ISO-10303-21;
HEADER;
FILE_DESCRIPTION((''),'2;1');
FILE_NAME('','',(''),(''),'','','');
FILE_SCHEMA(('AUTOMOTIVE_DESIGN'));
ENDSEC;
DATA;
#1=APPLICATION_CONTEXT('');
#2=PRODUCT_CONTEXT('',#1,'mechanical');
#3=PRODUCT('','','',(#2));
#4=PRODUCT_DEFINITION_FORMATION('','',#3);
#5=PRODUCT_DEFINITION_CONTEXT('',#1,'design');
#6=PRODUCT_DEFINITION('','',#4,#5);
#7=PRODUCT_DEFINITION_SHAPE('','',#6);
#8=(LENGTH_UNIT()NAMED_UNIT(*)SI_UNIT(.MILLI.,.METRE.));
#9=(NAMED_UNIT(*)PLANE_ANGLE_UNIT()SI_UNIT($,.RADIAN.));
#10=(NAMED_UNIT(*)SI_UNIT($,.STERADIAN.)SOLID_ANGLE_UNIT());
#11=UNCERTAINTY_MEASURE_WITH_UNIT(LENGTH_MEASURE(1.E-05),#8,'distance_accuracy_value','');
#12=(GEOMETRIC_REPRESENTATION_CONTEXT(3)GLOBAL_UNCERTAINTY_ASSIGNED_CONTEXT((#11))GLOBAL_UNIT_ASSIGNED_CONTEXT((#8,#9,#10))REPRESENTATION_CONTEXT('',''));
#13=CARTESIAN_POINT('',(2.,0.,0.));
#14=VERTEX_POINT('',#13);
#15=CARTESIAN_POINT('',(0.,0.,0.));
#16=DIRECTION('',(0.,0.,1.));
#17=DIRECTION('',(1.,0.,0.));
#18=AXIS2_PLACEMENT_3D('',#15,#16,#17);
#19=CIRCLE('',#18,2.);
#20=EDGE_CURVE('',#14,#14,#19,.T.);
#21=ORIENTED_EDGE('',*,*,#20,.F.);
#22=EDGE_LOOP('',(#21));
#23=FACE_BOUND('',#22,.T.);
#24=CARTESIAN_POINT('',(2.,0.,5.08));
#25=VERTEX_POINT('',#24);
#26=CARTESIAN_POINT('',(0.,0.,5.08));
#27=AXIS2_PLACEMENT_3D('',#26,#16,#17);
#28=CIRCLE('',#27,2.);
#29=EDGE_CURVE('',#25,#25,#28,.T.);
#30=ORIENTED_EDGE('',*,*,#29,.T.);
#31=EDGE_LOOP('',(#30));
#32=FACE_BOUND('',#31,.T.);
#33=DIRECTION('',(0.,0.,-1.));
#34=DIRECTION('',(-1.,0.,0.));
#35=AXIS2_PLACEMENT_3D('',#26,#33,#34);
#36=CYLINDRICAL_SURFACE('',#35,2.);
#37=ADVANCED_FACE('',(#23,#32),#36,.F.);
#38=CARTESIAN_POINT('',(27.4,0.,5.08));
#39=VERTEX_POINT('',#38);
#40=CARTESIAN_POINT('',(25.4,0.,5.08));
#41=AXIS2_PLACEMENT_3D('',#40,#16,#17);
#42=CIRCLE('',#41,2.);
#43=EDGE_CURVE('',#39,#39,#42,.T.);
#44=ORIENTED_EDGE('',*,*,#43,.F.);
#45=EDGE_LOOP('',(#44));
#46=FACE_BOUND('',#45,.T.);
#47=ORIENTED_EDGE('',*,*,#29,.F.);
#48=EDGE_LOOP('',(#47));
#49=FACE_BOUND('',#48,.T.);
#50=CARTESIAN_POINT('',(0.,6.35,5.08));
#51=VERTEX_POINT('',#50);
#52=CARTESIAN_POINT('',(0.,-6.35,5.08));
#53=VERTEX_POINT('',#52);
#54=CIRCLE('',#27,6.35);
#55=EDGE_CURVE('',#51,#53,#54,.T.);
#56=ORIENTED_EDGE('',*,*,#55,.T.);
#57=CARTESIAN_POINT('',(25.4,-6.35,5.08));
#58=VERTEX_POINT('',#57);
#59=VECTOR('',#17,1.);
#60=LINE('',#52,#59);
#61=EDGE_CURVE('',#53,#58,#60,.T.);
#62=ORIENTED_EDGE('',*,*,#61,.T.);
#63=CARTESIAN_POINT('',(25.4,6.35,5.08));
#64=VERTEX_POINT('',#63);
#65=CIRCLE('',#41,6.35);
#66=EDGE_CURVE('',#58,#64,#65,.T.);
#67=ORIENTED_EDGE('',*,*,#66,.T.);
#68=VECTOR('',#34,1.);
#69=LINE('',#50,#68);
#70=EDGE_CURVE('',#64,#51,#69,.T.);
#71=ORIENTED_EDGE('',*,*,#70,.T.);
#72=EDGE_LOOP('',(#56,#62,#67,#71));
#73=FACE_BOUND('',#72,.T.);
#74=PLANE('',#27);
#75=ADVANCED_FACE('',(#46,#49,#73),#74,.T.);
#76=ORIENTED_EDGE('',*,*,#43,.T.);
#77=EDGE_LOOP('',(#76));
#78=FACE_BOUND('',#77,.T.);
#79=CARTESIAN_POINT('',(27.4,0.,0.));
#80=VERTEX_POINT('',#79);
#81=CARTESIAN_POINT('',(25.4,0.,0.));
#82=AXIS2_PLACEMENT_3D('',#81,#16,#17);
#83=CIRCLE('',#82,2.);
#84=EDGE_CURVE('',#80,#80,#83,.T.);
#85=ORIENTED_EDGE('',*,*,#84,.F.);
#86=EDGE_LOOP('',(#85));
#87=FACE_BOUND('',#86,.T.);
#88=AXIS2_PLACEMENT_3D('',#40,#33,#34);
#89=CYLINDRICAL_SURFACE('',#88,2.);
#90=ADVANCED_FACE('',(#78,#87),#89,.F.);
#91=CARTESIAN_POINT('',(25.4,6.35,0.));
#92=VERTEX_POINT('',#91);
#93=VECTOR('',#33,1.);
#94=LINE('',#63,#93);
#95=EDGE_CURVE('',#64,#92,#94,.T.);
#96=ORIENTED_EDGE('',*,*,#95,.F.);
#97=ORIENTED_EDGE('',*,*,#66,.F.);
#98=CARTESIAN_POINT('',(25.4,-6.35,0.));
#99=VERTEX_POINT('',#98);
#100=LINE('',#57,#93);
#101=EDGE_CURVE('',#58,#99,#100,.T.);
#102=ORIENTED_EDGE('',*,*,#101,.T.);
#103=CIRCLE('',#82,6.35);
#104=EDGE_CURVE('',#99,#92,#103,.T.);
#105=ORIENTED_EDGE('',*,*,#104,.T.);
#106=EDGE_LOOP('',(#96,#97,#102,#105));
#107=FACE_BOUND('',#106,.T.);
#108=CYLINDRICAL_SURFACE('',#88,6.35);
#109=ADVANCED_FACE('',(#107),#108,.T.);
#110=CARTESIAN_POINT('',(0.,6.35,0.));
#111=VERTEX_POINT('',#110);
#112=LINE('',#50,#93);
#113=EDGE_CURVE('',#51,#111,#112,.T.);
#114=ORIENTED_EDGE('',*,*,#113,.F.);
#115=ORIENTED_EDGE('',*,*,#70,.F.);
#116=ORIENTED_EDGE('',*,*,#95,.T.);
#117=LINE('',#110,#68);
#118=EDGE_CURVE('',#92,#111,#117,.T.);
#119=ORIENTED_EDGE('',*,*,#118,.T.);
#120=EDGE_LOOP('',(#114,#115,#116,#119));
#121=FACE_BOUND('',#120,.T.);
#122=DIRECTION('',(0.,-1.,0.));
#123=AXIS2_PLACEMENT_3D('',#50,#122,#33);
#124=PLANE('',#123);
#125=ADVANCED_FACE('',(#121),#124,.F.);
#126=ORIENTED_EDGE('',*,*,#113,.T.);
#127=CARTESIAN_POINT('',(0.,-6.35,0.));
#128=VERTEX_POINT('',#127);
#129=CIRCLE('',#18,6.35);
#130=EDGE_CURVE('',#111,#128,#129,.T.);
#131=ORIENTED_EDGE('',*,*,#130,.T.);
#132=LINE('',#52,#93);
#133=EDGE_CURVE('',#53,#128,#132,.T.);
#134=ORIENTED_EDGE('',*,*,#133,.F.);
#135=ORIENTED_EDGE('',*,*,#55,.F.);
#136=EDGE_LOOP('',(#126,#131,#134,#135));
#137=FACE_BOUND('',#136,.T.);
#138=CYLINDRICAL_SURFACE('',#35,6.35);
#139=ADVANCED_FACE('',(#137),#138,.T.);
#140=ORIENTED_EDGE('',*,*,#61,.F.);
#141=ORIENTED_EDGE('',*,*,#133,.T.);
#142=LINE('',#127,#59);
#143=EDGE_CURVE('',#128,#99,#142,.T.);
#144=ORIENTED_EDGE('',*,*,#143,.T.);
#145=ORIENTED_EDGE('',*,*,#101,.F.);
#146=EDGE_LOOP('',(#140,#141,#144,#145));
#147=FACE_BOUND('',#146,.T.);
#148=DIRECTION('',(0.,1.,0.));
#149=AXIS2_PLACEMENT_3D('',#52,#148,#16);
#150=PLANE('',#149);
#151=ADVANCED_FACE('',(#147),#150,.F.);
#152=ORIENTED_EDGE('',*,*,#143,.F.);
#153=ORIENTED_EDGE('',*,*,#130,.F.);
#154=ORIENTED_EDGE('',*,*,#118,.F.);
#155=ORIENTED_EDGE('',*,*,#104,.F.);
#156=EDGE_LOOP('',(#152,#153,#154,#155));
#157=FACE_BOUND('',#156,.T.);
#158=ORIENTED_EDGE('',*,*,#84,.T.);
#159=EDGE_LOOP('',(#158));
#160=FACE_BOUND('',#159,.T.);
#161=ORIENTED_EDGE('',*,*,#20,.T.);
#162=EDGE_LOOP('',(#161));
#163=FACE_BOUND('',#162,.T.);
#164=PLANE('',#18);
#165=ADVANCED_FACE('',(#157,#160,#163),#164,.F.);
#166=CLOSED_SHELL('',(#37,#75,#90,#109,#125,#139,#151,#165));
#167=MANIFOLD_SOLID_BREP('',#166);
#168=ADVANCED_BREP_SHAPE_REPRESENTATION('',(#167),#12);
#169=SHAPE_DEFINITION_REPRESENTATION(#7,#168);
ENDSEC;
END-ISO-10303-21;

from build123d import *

# Parameters (mm, degrees)
SKETCH1_R           = 2
BOSS_EXTRUDE1_DEPTH = 5.08


with BuildPart() as part:
    # Sketch1 → Boss-Extrude1 (new body)
    with BuildSketch(Plane.XY):
        with BuildLine():
            Line((0, 6.35), (25.4, 6.35))
            ThreePointArc((25.4, 6.35), (31.75, 0), (25.4, -6.35))
            Line((25.4, -6.35), (0, -6.35))
            ThreePointArc((0, -6.35), (-6.35, 0), (0, 6.35))
        make_face()
        Circle(SKETCH1_R, mode=Mode.SUBTRACT)
        with Locations((25.4, 0)):
            Circle(SKETCH1_R, mode=Mode.SUBTRACT)
    extrude(amount=BOSS_EXTRUDE1_DEPTH)


solid = part.part
